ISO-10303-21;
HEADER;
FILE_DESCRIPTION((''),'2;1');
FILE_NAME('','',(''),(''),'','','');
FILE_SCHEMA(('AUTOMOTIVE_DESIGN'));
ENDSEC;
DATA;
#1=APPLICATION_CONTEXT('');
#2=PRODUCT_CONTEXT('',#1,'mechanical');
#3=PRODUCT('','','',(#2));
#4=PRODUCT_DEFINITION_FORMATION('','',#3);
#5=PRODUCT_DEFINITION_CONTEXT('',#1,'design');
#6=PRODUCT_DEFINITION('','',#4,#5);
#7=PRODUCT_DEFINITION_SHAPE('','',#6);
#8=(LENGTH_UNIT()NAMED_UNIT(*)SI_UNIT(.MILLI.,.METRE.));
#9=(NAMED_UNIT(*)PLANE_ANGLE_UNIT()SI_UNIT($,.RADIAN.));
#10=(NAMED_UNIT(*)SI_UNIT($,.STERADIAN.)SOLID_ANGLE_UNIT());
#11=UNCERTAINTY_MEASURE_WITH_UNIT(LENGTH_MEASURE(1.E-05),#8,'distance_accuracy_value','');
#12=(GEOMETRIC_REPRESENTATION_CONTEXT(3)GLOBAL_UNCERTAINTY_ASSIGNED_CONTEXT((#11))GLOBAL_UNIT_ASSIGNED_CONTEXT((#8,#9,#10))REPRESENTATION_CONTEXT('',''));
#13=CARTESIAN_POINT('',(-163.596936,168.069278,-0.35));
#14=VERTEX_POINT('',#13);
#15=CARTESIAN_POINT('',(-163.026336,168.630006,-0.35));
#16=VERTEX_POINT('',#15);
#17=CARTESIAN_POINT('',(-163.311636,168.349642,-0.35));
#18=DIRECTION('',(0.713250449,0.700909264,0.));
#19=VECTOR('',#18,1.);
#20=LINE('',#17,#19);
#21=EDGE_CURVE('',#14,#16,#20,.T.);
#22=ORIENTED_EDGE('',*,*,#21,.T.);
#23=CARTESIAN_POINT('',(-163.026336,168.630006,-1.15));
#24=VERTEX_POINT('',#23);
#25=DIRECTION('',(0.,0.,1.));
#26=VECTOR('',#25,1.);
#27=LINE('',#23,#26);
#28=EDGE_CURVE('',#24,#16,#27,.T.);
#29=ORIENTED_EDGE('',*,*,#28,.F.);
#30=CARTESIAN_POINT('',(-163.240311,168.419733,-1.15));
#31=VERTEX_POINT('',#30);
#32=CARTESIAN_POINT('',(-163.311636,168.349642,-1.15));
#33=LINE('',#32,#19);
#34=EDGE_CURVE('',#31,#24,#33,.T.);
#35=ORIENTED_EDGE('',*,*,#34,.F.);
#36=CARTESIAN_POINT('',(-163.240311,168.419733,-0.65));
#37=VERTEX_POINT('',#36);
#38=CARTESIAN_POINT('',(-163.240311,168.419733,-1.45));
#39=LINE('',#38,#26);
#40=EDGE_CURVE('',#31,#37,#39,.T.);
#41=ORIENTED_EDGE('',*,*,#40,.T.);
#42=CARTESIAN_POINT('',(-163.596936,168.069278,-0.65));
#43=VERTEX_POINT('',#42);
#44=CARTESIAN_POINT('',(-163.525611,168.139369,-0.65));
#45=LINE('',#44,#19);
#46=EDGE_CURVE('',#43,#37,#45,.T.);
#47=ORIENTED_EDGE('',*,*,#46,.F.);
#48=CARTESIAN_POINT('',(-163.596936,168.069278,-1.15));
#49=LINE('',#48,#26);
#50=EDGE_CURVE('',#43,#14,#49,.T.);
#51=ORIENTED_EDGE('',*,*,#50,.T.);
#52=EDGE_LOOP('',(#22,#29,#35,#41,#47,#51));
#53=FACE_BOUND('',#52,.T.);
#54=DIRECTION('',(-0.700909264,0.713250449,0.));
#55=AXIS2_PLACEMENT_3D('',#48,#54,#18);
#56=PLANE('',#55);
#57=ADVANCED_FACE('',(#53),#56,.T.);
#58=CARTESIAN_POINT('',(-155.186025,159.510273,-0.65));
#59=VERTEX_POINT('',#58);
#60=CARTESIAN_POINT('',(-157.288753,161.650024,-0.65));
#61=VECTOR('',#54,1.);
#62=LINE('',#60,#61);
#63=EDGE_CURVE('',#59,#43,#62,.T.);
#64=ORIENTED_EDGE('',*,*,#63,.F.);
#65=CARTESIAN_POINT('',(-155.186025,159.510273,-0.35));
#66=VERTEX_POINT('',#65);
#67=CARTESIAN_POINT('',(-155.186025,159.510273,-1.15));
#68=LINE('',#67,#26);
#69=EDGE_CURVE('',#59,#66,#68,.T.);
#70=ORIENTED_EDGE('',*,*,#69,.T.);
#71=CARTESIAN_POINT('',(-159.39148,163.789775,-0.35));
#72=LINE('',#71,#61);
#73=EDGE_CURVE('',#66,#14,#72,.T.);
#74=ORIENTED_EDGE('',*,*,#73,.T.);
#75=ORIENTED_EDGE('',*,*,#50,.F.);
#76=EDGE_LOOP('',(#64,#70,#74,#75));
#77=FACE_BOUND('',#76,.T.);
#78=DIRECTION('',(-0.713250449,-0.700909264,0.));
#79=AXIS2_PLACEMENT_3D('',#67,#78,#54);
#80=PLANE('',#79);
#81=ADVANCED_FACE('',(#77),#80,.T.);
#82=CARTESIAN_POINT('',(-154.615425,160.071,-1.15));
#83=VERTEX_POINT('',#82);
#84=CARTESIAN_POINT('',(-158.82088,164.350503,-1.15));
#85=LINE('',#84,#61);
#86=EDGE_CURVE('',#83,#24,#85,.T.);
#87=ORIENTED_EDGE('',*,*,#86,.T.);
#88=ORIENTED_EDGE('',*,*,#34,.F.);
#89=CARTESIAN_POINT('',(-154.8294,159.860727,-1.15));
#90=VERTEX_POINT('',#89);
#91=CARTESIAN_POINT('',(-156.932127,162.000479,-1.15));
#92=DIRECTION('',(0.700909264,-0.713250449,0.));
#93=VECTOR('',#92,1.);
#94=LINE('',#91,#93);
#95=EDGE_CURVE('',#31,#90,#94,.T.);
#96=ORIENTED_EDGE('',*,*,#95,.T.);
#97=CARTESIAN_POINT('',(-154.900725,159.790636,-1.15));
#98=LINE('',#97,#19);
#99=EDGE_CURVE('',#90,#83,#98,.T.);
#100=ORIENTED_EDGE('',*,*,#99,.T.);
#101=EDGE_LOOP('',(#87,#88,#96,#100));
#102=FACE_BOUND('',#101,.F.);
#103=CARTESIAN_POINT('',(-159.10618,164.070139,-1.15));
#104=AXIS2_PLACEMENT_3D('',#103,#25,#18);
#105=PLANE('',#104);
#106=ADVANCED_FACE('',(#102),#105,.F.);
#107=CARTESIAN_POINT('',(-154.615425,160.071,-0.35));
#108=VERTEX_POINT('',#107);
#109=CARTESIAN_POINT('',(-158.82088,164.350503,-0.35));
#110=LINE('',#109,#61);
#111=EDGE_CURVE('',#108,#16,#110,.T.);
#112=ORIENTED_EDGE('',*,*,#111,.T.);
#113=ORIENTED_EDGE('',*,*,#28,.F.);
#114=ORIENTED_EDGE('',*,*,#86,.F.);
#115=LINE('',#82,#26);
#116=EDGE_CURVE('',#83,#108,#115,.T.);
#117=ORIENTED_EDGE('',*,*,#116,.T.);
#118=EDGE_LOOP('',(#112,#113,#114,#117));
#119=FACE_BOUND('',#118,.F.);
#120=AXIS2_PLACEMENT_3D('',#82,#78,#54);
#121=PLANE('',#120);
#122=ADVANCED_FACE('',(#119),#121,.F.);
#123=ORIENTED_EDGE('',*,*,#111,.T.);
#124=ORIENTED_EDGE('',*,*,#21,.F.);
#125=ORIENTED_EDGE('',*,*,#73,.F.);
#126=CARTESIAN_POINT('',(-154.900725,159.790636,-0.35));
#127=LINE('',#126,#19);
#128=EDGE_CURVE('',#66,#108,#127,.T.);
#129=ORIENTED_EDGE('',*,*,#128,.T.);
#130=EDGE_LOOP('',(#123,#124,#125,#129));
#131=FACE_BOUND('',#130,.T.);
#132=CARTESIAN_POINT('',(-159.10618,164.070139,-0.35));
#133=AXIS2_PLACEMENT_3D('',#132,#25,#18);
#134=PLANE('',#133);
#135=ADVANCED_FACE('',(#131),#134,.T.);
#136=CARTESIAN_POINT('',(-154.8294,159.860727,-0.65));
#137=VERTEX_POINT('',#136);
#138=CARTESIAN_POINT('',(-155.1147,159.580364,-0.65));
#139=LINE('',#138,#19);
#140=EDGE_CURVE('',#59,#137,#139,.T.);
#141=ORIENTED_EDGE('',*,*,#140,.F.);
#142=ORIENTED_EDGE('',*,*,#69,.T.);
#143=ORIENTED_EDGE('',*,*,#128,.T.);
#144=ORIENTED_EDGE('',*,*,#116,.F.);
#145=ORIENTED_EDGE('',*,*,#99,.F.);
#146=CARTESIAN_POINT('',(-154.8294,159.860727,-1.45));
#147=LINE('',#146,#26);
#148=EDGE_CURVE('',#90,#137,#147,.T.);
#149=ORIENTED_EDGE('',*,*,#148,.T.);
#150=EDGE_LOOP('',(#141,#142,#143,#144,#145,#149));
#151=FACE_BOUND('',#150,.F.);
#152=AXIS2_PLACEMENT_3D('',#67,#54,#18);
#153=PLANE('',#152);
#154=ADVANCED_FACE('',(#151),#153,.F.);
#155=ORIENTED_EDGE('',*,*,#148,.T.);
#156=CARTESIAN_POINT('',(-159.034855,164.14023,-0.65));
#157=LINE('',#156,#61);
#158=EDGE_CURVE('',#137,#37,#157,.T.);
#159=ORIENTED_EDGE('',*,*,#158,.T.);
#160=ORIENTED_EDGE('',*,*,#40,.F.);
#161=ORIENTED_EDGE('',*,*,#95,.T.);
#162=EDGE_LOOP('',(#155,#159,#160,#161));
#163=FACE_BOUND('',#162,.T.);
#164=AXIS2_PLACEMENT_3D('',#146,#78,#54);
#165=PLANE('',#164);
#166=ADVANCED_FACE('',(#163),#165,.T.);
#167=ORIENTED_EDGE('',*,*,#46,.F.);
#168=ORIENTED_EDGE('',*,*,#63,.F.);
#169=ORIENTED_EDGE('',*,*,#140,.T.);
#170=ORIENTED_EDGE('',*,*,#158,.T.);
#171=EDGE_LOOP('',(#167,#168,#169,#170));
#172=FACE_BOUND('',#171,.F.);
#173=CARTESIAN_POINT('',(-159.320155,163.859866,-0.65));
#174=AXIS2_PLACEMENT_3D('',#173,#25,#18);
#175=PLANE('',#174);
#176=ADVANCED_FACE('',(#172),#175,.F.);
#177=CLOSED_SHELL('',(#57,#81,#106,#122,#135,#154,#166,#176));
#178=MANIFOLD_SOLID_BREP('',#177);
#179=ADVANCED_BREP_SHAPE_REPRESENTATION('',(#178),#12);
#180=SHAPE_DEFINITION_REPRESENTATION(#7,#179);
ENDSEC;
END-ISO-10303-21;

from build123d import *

# Parameters (mm, degrees)
BOX133_W               = 0.8
BOX133_H               = 12
BOX133_DEPTH           = 0.8
BOX134_W               = 0.8
BOX134_H               = 12
BOX134_DEPTH           = 0.8
CUT070_PLACEMENT_ANGLE = 44.5


with BuildPart() as cubo133:
    # Box133 → Box133 (new body)
    with BuildSketch(Plane.XY):
        with Locations((0.4, 6)):
            Rectangle(BOX133_W, BOX133_H)
    extrude(amount=BOX133_DEPTH)


with BuildPart() as perfil_l_2da_cara012:
    # Box134 → Box134 (new body)
    with BuildSketch(Plane(origin=(0.3, 0, 0.3), x_dir=(1, 0, 0), z_dir=(0, 0, 1))):
        with Locations((0.4, 6)):
            Rectangle(BOX134_W, BOX134_H)
    extrude(amount=BOX134_DEPTH)

    # Cut070: cut Cubo133
    add(cubo133.part, mode=Mode.SUBTRACT)


with BuildPart() as perfil_l_2da_cara012_1:
    # Cut070 placement: moved
    add(perfil_l_2da_cara012.part.moved(Location((-155.4, 159.3, -1.45))).rotate(Axis((-155.4, 159.3, -1.45), (0, 0, 1)), CUT070_PLACEMENT_ANGLE))


solid = perfil_l_2da_cara012_1.part
